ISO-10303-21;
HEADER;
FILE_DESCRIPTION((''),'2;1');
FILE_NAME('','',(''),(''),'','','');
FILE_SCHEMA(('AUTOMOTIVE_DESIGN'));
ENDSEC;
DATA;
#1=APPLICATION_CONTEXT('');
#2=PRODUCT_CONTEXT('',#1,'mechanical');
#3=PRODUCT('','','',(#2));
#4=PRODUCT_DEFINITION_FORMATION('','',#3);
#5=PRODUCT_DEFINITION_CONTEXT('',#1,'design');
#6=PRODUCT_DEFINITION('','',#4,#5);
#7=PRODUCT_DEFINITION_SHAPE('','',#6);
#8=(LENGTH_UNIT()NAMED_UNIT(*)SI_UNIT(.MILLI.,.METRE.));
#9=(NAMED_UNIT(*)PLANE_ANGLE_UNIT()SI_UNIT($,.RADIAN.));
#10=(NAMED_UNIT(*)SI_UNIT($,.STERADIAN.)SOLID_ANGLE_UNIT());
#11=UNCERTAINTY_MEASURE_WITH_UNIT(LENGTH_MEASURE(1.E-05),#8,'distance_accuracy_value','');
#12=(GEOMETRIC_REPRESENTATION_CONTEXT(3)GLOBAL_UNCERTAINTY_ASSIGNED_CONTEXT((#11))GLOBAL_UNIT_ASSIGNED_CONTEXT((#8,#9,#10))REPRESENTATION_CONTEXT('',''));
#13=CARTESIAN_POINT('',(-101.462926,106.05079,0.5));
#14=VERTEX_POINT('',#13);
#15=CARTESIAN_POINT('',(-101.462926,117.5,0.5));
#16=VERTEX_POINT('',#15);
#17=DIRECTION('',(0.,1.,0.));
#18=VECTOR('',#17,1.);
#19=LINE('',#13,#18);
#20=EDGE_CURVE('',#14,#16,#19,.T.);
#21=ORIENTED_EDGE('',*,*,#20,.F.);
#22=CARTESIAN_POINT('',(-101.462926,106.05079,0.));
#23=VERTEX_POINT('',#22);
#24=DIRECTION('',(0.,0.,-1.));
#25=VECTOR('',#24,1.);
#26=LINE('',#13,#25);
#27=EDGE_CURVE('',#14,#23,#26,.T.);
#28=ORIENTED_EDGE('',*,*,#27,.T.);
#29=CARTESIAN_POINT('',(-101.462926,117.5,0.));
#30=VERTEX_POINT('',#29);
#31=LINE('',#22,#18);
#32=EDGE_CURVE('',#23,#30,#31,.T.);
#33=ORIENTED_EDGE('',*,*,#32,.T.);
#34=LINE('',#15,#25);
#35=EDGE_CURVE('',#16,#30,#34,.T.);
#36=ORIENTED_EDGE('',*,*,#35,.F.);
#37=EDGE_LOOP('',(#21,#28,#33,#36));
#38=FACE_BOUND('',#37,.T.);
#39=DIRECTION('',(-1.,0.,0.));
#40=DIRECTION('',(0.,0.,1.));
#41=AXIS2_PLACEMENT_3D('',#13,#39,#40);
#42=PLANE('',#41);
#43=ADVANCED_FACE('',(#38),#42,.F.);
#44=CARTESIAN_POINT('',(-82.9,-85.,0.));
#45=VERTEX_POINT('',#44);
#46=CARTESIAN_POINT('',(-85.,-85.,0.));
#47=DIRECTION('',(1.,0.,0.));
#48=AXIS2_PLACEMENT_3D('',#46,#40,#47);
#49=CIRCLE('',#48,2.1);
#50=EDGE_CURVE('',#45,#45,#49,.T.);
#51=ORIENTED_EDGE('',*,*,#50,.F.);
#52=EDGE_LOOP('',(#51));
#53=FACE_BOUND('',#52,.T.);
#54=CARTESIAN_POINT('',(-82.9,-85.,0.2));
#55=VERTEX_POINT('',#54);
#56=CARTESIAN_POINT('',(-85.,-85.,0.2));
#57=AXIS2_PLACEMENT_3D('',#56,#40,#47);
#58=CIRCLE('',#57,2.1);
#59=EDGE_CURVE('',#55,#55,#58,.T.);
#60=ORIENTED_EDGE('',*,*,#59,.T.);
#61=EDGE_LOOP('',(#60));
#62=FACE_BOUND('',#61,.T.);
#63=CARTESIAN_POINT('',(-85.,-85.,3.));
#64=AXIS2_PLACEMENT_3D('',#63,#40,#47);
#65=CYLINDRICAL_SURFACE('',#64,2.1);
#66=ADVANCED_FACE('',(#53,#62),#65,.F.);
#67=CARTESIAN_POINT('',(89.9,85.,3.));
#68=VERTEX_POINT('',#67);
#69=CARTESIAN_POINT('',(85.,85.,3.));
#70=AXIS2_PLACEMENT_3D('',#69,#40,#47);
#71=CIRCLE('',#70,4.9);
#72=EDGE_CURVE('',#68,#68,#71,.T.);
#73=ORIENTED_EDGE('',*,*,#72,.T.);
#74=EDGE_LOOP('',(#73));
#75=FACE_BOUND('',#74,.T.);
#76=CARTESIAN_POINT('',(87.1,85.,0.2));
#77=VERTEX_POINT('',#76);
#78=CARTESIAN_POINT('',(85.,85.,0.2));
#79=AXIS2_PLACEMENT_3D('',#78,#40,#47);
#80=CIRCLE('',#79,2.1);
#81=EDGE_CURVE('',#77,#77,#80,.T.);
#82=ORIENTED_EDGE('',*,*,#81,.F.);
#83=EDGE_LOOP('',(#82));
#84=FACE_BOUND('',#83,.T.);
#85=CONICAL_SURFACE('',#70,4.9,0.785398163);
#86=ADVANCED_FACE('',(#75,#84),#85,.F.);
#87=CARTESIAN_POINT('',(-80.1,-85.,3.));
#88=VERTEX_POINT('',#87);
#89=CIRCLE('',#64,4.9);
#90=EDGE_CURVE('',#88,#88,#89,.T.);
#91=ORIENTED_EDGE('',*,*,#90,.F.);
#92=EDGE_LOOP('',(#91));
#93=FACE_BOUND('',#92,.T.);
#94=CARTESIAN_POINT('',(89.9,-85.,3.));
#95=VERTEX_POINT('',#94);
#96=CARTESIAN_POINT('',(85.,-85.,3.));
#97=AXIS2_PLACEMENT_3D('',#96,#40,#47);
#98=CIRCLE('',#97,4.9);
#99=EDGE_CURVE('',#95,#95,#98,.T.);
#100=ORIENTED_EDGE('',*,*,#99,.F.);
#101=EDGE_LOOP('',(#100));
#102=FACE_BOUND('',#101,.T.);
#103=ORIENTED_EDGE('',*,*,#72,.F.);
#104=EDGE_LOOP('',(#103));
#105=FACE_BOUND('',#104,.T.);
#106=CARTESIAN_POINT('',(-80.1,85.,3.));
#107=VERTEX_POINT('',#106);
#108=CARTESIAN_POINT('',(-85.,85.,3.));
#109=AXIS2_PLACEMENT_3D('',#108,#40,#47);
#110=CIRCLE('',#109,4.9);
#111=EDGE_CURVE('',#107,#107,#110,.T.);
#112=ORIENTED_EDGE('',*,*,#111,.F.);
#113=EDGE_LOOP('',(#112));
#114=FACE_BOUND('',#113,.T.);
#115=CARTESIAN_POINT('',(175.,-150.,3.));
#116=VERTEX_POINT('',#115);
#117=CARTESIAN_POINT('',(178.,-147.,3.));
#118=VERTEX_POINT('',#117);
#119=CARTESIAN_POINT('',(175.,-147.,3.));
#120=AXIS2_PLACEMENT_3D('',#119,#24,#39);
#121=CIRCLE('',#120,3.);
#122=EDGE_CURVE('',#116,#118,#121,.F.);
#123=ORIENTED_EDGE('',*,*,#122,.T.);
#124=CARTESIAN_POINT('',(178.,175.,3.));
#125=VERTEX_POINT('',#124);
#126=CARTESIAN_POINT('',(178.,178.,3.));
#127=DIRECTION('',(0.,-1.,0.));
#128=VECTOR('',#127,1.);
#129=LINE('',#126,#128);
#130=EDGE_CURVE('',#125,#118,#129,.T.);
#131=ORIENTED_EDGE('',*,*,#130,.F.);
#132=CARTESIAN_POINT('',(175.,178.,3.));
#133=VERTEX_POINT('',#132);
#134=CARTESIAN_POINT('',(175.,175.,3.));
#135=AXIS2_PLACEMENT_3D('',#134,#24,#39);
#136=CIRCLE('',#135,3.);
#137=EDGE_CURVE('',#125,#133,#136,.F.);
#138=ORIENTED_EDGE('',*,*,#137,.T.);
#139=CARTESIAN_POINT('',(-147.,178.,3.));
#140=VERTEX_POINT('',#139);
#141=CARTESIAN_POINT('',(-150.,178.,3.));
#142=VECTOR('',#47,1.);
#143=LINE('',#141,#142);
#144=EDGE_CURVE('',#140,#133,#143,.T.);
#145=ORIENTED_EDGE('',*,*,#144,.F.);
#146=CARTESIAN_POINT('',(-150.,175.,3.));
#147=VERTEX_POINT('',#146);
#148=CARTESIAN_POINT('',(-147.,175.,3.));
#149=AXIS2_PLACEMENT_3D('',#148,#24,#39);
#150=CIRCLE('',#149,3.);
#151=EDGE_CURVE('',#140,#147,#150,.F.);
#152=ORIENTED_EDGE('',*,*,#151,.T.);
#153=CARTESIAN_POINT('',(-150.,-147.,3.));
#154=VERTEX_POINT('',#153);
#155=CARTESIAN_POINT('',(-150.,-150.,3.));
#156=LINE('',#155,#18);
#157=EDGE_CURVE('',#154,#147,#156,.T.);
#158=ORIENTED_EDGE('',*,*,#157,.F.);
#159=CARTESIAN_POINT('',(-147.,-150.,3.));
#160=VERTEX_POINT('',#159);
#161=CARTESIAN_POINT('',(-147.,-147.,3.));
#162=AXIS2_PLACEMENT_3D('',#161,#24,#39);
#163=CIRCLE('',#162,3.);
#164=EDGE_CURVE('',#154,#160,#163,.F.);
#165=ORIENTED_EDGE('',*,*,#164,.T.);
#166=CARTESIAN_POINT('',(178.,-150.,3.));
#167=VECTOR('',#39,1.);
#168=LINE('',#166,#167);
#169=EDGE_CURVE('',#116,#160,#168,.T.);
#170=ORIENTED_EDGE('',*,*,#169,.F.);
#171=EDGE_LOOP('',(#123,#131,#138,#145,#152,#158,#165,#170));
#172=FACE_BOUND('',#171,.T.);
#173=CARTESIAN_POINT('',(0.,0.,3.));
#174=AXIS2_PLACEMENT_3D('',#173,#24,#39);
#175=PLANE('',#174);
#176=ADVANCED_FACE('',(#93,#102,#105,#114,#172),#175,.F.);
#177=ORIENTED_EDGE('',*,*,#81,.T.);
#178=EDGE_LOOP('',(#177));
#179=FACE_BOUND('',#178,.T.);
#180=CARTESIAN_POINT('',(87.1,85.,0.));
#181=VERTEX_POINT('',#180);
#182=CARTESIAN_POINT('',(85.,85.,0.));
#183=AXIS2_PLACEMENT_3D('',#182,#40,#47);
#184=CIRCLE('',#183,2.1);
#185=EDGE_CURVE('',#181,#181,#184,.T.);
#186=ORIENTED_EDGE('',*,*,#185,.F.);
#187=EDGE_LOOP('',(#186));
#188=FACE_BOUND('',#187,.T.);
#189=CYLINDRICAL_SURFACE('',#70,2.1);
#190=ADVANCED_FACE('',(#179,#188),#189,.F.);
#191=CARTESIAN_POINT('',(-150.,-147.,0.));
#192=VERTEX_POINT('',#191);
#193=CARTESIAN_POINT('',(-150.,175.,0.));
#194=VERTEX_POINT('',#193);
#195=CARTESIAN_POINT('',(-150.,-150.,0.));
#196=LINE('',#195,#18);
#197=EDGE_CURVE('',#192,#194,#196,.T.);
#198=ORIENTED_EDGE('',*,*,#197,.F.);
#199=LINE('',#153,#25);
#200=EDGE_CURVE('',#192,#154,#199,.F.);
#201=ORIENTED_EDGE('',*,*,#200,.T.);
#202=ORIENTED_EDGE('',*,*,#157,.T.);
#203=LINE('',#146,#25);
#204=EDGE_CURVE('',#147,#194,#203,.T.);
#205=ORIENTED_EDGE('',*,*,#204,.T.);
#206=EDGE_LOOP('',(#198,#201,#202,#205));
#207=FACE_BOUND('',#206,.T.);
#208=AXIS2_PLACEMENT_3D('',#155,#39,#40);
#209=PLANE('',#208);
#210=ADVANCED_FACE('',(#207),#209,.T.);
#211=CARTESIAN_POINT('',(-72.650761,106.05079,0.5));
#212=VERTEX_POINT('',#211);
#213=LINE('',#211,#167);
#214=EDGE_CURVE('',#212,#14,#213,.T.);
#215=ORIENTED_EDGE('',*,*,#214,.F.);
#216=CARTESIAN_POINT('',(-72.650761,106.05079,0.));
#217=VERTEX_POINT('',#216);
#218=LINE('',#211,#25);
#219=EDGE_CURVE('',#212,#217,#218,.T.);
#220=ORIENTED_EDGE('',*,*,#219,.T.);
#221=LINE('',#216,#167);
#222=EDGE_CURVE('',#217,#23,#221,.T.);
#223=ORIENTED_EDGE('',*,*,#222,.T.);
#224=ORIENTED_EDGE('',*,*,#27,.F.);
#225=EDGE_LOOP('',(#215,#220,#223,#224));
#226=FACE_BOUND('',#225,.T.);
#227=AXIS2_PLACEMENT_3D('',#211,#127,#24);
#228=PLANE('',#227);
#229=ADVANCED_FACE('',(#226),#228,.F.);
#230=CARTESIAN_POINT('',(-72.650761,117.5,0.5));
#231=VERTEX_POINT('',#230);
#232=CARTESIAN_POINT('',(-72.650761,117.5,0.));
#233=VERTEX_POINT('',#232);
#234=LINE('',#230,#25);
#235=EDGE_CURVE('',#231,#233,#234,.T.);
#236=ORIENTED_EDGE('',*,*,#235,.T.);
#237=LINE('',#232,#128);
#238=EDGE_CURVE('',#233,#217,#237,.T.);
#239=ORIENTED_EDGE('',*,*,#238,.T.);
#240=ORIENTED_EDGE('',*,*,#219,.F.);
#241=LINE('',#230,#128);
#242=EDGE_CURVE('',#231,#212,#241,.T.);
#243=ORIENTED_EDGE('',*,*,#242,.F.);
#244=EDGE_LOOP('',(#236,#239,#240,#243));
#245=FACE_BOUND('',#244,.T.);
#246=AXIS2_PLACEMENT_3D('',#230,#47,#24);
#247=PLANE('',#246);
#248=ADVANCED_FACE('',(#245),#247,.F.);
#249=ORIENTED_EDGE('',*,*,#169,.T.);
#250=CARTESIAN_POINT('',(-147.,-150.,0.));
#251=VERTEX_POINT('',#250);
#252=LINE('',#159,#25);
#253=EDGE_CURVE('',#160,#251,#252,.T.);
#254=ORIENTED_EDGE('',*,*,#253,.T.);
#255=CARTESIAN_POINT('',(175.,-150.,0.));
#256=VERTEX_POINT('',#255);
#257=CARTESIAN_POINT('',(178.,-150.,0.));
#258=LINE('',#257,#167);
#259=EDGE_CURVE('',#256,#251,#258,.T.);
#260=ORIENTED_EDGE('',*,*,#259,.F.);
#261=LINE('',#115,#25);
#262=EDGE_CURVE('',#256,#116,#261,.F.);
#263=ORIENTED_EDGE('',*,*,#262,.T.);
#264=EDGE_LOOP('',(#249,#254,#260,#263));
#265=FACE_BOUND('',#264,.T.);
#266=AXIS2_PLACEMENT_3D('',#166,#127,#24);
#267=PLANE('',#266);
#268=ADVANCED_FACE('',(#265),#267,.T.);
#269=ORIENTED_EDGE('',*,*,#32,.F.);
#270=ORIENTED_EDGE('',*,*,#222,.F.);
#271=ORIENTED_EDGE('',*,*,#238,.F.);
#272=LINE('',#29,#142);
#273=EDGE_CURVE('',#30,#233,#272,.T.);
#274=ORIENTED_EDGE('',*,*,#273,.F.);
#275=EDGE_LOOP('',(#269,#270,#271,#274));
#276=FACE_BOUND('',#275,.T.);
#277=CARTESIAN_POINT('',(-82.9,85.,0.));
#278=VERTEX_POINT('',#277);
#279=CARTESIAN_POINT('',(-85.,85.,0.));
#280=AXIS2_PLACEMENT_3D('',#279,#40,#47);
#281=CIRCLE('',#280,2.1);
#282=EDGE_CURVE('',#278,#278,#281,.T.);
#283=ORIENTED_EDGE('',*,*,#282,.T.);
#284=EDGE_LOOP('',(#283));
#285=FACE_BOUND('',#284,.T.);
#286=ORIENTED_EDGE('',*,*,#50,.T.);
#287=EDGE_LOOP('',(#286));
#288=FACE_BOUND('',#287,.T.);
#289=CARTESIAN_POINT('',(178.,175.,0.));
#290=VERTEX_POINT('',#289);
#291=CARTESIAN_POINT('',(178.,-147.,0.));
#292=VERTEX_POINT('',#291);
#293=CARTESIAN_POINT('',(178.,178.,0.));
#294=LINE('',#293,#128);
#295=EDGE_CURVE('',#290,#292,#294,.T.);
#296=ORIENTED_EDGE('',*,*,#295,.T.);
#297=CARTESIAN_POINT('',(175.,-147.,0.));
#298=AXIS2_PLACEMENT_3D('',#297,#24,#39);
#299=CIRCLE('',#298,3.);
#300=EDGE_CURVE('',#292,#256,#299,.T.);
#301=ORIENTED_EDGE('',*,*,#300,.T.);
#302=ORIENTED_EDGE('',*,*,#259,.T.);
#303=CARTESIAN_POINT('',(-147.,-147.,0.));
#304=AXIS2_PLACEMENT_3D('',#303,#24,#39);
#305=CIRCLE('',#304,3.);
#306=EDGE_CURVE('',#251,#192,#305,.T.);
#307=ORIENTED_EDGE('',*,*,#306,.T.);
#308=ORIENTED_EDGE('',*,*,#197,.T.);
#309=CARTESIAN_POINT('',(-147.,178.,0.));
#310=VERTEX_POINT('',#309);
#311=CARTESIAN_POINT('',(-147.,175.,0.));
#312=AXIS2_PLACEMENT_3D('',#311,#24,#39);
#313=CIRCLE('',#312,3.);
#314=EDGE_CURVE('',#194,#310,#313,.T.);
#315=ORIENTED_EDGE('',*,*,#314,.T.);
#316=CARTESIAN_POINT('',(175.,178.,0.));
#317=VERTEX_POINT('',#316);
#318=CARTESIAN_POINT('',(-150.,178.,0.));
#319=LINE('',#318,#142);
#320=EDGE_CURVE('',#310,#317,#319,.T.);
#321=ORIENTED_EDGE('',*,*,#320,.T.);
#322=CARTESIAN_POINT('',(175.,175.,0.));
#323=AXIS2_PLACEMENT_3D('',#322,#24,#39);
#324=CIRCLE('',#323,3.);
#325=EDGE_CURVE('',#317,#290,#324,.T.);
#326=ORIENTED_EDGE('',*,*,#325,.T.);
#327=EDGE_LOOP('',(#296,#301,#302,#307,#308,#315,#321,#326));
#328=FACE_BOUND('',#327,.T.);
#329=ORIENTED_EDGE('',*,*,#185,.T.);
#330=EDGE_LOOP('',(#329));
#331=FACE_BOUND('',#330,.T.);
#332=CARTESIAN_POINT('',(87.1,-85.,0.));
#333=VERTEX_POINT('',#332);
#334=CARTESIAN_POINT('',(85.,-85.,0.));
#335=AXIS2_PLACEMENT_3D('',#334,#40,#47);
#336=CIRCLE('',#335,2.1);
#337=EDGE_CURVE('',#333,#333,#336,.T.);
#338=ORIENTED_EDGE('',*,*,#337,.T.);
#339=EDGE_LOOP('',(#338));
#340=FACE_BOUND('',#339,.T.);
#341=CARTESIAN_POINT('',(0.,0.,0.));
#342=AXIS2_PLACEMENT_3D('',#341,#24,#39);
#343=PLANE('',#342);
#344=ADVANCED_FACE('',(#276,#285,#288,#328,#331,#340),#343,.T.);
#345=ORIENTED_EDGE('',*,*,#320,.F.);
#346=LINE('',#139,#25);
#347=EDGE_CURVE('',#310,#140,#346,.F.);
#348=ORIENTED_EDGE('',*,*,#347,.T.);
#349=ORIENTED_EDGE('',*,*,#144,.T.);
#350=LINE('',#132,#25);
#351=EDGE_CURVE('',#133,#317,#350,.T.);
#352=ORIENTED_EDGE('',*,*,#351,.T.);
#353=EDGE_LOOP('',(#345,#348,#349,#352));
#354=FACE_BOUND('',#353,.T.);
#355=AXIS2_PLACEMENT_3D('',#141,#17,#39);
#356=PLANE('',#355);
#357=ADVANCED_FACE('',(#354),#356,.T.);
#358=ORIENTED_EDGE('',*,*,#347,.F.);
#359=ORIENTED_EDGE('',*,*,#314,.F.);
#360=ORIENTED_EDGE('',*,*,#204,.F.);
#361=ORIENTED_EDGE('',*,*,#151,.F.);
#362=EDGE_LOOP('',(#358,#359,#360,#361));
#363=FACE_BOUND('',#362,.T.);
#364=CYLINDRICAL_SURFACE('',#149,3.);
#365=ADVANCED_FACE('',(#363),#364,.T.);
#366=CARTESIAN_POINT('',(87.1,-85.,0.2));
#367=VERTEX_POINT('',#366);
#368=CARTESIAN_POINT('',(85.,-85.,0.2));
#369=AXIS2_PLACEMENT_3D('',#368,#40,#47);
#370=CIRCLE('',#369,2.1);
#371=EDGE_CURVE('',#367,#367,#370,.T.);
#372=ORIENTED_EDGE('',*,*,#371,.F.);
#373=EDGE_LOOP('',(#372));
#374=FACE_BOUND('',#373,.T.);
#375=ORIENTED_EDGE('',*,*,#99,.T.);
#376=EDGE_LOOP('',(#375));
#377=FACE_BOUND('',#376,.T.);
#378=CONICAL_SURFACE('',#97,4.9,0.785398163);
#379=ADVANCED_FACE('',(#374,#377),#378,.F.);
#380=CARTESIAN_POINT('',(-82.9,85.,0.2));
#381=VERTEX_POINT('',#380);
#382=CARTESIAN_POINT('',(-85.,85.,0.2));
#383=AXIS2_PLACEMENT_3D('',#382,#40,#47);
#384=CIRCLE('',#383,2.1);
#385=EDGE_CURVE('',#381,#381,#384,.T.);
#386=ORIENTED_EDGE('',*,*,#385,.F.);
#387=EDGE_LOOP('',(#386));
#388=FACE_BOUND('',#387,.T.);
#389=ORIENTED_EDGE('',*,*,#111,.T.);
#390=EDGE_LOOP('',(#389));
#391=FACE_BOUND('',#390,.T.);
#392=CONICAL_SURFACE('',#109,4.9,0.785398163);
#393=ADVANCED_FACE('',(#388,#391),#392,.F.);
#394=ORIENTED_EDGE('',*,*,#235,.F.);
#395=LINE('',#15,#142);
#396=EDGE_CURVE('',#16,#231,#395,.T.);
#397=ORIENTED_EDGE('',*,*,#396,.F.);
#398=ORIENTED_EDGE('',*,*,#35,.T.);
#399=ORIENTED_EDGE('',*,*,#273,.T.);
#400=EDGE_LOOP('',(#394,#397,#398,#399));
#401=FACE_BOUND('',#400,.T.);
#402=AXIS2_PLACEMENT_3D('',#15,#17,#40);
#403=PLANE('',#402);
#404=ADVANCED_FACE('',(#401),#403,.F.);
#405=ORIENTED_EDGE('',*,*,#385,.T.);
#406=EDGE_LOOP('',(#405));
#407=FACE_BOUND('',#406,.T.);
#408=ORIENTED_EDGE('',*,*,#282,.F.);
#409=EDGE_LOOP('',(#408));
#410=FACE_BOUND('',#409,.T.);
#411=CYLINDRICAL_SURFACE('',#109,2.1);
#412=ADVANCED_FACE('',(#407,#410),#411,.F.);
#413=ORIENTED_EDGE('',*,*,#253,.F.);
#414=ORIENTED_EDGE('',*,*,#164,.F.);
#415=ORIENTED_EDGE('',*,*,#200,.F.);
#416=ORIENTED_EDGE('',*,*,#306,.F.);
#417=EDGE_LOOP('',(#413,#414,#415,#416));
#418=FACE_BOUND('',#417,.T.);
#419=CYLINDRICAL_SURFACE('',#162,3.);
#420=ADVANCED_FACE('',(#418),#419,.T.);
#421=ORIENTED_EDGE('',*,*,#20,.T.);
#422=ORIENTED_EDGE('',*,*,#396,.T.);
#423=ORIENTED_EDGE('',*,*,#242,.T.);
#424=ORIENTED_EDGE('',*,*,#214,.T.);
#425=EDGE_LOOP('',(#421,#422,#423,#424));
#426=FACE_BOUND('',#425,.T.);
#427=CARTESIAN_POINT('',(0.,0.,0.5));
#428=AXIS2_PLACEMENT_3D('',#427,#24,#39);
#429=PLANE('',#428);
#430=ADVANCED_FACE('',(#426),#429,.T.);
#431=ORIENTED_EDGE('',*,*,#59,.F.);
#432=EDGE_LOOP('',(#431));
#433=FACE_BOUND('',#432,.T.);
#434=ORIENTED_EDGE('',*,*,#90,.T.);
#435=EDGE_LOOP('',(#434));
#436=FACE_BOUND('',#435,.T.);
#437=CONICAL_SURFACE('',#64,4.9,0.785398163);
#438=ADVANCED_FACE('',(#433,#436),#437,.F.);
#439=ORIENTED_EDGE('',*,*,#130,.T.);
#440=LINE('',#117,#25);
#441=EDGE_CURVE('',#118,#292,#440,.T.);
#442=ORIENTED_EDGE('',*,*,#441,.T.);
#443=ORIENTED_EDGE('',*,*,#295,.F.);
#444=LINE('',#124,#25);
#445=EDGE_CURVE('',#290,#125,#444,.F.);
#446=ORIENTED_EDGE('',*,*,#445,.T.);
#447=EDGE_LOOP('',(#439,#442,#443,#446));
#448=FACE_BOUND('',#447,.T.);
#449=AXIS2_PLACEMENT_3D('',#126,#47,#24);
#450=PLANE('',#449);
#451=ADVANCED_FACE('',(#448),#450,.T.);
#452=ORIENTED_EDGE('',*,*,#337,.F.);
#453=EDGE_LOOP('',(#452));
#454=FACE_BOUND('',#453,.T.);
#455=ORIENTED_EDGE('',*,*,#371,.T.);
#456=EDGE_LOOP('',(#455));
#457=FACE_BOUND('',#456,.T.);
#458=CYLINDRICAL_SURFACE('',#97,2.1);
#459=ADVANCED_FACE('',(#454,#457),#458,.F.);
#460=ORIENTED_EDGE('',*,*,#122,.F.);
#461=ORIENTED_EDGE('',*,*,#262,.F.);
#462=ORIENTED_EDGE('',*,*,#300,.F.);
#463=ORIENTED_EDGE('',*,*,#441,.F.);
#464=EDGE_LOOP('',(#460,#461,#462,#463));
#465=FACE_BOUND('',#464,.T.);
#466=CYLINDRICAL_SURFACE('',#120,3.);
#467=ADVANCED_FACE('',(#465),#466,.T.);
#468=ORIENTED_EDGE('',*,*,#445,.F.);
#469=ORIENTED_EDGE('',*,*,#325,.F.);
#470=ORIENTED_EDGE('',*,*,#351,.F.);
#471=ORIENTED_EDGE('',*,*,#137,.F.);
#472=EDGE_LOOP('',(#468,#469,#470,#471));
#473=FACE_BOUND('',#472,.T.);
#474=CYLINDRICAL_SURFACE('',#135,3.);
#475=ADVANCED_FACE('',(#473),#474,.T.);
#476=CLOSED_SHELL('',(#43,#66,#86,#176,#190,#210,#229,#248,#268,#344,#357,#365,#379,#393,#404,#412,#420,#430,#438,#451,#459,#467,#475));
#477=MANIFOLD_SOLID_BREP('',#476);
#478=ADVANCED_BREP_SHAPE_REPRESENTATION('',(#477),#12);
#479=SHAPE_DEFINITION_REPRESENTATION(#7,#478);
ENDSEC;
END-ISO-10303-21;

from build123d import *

# Parameters (mm, degrees)
SKETCH1_W                                      = 328
SKETCH1_H                                      = 328
BOSS_EXTRUDE1_DEPTH                            = 3
SKETCH2_W                                      = 28.812164255
SKETCH2_H                                      = 11.449209801
CUT_EXTRUDE1_DEPTH                             = 0.5
CSK_FOR_M3_5_FLAT_HEAD_MACHINE_SCREW1_AT_COUNT = 2
CSK_FOR_M3_5_FLAT_HEAD_MACHINE_SCREW1_AT_PITCH = 170
CSK_FOR_M3_5_FLAT_HEAD_MACHINE_SCREW_2_COUNT   = 2
CSK_FOR_M3_5_FLAT_HEAD_MACHINE_SCREW_2_PITCH   = 240.416305603
CSK_FOR_M3_5_FLAT_HEAD_MACHINE_SCREW_3_COUNT   = 2
CSK_FOR_M3_5_FLAT_HEAD_MACHINE_SCREW_3_PITCH   = 170
FILLET1_R                                      = 3


with BuildPart() as part:
    # Sketch1 → Boss-Extrude1 (new body)
    with BuildSketch(Plane(origin=(0, 0, 0), x_dir=(-1, 0, 0), z_dir=(0, 0, -1))):
        with Locations((-14, 14)):
            Rectangle(SKETCH1_W, SKETCH1_H)
    extrude(amount=-BOSS_EXTRUDE1_DEPTH)

    # Sketch2 → Cut-Extrude1 (cut)
    with BuildSketch(Plane(origin=(0, 0, 0), x_dir=(-1, 0, 0), z_dir=(0, 0, -1))):
        with Locations((87.056843615, 111.7753951)):
            Rectangle(SKETCH2_W, SKETCH2_H)
    extrude(amount=-CUT_EXTRUDE1_DEPTH, mode=Mode.SUBTRACT)

    # Sketch3 → CSK for M3.5 Flat Head Machine Screw1 (revolve, cut)
    with BuildSketch(Plane(origin=(-85, -85, 3), x_dir=(0, -1, 0), z_dir=(1, 0, 0))):
        Polygon((0, 0), (0, 3), (2.1, 3), (2.1, 2.8), (4.9, 0), align=None)
    csk_for_m3_5_flat_head_machine_screw1 = revolve(axis=Axis((-85, -85, 9.35), (0, 0, -1)), mode=Mode.SUBTRACT)

    # CSK for M3.5 Flat Head Machine Screw1 at: CSK for M3.5 Flat Head Machine Screw1 ×2
    with Locations(*[(i * CSK_FOR_M3_5_FLAT_HEAD_MACHINE_SCREW1_AT_PITCH, 0, 0) for i in range(1, CSK_FOR_M3_5_FLAT_HEAD_MACHINE_SCREW1_AT_COUNT)]):
        add(csk_for_m3_5_flat_head_machine_screw1, mode=Mode.SUBTRACT)

    # CSK for M3.5 Flat Head Machine Screw 2: CSK for M3.5 Flat Head Machine Screw1 ×2
    with Locations(*[Vector(0.707106781, 0.707106781, 0) * (i * CSK_FOR_M3_5_FLAT_HEAD_MACHINE_SCREW_2_PITCH) for i in range(1, CSK_FOR_M3_5_FLAT_HEAD_MACHINE_SCREW_2_COUNT)]):
        add(csk_for_m3_5_flat_head_machine_screw1, mode=Mode.SUBTRACT)

    # CSK for M3.5 Flat Head Machine Screw 3: CSK for M3.5 Flat Head Machine Screw1 ×2
    with Locations(*[(0, i * CSK_FOR_M3_5_FLAT_HEAD_MACHINE_SCREW_3_PITCH, 0) for i in range(1, CSK_FOR_M3_5_FLAT_HEAD_MACHINE_SCREW_3_COUNT)]):
        add(csk_for_m3_5_flat_head_machine_screw1, mode=Mode.SUBTRACT)

    # Fillet1
    fillet1_edges = [part.edges().sort_by_distance(p)[0] for p in [
        (178, -150, 1.5),
        (178, 178, 1.5),
        (-150, 178, 1.5),
        (-150, -150, 1.5),
    ]]
    fillet(fillet1_edges, radius=FILLET1_R)


solid = part.part
